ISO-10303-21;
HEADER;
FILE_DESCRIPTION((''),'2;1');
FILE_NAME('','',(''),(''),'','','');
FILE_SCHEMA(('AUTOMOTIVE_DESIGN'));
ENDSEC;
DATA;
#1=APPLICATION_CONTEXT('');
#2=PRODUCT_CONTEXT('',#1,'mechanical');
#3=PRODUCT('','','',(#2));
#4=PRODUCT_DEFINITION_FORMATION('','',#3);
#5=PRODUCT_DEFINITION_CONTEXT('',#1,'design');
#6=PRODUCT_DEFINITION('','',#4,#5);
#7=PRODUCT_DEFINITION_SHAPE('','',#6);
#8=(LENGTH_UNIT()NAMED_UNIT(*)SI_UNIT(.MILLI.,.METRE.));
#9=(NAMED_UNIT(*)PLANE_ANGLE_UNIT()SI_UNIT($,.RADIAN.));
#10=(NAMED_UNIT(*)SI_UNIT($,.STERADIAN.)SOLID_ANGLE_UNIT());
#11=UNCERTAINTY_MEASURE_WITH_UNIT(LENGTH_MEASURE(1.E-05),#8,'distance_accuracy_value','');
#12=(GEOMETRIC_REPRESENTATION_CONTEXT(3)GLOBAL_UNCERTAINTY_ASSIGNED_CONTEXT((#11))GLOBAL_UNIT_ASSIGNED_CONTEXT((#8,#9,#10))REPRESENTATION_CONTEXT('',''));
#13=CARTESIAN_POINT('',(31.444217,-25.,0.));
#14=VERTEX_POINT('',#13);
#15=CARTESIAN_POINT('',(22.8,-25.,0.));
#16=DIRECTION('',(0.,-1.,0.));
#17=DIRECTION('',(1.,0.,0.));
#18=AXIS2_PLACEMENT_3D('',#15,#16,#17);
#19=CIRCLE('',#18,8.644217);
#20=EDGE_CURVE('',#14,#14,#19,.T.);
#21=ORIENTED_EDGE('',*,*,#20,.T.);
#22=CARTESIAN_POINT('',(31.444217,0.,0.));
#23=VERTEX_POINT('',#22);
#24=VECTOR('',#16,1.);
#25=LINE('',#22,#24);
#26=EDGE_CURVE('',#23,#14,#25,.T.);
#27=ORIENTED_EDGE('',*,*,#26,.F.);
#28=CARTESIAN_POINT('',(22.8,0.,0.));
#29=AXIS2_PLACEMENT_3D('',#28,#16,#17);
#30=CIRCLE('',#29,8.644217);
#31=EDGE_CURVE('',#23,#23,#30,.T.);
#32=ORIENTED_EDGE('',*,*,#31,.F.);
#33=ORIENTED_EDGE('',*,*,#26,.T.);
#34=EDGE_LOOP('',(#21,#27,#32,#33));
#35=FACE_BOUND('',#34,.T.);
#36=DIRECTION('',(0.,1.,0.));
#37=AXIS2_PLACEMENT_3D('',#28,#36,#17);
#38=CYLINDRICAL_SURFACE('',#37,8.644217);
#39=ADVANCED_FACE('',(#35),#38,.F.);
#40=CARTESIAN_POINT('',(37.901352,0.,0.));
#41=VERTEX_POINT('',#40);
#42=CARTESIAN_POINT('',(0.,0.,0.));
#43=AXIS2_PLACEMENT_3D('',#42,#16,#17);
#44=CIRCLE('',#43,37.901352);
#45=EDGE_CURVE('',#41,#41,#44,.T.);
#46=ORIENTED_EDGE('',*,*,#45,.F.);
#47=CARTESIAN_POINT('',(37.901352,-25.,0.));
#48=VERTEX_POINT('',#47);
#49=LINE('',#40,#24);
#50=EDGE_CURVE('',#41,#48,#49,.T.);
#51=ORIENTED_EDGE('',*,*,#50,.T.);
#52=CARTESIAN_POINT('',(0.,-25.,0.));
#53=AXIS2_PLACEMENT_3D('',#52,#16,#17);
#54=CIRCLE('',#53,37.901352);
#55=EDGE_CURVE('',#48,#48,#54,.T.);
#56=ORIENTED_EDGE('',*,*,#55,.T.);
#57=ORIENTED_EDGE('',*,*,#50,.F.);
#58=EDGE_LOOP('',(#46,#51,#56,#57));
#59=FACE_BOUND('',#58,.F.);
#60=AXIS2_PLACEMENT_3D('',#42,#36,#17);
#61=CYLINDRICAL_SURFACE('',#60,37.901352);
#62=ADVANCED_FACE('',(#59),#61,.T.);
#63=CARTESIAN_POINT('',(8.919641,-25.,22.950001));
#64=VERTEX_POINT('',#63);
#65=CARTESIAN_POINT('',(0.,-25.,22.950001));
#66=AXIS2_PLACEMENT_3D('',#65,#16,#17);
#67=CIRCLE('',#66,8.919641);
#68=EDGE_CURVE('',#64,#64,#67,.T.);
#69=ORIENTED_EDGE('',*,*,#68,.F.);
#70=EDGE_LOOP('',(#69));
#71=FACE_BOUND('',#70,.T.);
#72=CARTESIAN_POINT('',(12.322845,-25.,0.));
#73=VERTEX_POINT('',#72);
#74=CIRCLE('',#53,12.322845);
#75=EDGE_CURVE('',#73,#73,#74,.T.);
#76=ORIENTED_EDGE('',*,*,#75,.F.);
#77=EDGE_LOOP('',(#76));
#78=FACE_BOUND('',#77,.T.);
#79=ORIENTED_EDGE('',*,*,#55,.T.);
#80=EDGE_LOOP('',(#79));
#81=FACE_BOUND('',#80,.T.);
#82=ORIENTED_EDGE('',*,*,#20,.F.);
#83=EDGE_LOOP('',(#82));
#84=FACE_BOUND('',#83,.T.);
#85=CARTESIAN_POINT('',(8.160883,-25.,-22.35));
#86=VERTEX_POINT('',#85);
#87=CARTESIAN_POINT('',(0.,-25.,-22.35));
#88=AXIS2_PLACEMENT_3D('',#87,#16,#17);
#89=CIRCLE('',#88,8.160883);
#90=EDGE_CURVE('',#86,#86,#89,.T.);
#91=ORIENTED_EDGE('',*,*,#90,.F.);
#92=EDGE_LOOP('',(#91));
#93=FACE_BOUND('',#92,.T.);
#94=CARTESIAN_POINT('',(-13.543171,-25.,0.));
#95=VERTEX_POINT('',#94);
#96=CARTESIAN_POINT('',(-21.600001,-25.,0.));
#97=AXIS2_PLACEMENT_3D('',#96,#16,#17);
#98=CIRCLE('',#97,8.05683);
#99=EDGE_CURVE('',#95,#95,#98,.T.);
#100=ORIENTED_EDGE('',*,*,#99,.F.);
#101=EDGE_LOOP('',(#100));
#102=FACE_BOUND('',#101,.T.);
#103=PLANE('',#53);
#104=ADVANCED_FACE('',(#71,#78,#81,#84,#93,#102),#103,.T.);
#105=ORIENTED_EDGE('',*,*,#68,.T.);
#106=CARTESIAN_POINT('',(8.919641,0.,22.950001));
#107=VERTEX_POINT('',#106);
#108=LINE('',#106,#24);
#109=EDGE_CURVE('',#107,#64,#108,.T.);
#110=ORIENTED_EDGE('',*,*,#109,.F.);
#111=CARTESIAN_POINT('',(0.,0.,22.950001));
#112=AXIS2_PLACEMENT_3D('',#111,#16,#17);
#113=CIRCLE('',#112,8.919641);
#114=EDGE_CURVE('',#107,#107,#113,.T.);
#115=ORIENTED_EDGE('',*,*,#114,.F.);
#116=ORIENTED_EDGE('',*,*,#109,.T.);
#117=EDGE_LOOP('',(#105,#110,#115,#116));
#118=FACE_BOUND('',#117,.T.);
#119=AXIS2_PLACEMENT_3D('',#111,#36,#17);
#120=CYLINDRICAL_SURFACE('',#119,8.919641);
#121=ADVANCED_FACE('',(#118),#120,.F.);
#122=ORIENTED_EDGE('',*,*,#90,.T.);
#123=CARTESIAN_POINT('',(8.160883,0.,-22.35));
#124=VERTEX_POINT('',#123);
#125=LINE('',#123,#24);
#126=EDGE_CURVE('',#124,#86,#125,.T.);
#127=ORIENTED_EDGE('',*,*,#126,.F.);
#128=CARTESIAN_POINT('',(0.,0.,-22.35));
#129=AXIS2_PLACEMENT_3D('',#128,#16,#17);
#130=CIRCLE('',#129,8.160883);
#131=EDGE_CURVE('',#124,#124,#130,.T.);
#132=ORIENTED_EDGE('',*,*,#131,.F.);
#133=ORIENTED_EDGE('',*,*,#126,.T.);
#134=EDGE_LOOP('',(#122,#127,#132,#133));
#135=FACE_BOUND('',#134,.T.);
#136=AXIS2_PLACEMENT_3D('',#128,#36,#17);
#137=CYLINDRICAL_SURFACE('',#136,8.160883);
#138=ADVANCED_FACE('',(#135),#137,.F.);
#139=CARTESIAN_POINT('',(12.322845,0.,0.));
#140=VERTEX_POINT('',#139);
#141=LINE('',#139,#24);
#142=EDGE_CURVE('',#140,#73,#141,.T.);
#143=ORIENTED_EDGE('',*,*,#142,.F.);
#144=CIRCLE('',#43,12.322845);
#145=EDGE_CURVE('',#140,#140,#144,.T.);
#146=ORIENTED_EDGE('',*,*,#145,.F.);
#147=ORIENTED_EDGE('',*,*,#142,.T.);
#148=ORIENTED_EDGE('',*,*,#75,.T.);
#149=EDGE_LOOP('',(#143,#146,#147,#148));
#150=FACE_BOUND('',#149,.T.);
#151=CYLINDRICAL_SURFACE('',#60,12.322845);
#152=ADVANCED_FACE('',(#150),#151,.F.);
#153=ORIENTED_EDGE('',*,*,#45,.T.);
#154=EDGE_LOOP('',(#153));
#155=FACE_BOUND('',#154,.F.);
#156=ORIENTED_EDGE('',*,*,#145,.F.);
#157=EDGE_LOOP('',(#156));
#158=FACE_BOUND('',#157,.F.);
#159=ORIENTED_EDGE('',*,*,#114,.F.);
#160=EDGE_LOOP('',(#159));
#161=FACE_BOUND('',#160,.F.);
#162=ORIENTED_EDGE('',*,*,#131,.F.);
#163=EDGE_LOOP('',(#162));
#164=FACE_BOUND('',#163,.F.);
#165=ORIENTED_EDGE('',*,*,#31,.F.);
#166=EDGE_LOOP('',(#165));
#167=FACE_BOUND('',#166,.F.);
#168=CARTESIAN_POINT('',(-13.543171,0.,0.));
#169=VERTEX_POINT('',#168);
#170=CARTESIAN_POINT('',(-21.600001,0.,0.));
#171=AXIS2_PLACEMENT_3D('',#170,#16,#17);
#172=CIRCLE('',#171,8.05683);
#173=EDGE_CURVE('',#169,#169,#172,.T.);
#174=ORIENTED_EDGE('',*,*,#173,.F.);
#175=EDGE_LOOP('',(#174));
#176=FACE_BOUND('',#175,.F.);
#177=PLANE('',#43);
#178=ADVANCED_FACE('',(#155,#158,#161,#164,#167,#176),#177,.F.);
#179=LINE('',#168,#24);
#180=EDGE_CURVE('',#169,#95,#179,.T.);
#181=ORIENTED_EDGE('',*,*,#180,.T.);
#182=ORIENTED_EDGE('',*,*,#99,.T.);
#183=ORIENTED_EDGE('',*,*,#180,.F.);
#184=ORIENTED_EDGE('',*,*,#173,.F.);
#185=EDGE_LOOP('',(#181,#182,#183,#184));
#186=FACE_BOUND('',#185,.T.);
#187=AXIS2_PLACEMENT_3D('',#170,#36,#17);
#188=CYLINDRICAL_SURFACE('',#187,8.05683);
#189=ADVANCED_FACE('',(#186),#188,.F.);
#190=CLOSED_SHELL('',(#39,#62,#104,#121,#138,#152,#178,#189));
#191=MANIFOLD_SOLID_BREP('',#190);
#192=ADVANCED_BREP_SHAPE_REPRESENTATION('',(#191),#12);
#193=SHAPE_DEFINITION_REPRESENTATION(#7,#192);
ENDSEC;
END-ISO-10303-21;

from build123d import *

# Parameters (mm, degrees)
F0_R     = 37.901352
F0_R_2   = 34.351311
F0_R_3   = 8.160883
F0_R_4   = 8.05683
F0_R_5   = 12.322845
F0_R_6   = 8.644217
F0_R_7   = 8.919641
F1_DEPTH = 25


with BuildPart() as f1:
    # F0 (on Front) → F1 (new body)
    with BuildSketch(Plane.XZ):
        Circle(F0_R)
        Circle(F0_R_2, mode=Mode.SUBTRACT)
        Circle(F0_R_2)
        with Locations((0, -22.35)):
            Circle(F0_R_3, mode=Mode.SUBTRACT)
        with Locations((-21.600001, 0)):
            Circle(F0_R_4, mode=Mode.SUBTRACT)
        Circle(F0_R_5, mode=Mode.SUBTRACT)
        with Locations((22.8, 0)):
            Circle(F0_R_6, mode=Mode.SUBTRACT)
        with Locations((0, 22.950001)):
            Circle(F0_R_7, mode=Mode.SUBTRACT)
    extrude(amount=F1_DEPTH)


solid = f1.part
